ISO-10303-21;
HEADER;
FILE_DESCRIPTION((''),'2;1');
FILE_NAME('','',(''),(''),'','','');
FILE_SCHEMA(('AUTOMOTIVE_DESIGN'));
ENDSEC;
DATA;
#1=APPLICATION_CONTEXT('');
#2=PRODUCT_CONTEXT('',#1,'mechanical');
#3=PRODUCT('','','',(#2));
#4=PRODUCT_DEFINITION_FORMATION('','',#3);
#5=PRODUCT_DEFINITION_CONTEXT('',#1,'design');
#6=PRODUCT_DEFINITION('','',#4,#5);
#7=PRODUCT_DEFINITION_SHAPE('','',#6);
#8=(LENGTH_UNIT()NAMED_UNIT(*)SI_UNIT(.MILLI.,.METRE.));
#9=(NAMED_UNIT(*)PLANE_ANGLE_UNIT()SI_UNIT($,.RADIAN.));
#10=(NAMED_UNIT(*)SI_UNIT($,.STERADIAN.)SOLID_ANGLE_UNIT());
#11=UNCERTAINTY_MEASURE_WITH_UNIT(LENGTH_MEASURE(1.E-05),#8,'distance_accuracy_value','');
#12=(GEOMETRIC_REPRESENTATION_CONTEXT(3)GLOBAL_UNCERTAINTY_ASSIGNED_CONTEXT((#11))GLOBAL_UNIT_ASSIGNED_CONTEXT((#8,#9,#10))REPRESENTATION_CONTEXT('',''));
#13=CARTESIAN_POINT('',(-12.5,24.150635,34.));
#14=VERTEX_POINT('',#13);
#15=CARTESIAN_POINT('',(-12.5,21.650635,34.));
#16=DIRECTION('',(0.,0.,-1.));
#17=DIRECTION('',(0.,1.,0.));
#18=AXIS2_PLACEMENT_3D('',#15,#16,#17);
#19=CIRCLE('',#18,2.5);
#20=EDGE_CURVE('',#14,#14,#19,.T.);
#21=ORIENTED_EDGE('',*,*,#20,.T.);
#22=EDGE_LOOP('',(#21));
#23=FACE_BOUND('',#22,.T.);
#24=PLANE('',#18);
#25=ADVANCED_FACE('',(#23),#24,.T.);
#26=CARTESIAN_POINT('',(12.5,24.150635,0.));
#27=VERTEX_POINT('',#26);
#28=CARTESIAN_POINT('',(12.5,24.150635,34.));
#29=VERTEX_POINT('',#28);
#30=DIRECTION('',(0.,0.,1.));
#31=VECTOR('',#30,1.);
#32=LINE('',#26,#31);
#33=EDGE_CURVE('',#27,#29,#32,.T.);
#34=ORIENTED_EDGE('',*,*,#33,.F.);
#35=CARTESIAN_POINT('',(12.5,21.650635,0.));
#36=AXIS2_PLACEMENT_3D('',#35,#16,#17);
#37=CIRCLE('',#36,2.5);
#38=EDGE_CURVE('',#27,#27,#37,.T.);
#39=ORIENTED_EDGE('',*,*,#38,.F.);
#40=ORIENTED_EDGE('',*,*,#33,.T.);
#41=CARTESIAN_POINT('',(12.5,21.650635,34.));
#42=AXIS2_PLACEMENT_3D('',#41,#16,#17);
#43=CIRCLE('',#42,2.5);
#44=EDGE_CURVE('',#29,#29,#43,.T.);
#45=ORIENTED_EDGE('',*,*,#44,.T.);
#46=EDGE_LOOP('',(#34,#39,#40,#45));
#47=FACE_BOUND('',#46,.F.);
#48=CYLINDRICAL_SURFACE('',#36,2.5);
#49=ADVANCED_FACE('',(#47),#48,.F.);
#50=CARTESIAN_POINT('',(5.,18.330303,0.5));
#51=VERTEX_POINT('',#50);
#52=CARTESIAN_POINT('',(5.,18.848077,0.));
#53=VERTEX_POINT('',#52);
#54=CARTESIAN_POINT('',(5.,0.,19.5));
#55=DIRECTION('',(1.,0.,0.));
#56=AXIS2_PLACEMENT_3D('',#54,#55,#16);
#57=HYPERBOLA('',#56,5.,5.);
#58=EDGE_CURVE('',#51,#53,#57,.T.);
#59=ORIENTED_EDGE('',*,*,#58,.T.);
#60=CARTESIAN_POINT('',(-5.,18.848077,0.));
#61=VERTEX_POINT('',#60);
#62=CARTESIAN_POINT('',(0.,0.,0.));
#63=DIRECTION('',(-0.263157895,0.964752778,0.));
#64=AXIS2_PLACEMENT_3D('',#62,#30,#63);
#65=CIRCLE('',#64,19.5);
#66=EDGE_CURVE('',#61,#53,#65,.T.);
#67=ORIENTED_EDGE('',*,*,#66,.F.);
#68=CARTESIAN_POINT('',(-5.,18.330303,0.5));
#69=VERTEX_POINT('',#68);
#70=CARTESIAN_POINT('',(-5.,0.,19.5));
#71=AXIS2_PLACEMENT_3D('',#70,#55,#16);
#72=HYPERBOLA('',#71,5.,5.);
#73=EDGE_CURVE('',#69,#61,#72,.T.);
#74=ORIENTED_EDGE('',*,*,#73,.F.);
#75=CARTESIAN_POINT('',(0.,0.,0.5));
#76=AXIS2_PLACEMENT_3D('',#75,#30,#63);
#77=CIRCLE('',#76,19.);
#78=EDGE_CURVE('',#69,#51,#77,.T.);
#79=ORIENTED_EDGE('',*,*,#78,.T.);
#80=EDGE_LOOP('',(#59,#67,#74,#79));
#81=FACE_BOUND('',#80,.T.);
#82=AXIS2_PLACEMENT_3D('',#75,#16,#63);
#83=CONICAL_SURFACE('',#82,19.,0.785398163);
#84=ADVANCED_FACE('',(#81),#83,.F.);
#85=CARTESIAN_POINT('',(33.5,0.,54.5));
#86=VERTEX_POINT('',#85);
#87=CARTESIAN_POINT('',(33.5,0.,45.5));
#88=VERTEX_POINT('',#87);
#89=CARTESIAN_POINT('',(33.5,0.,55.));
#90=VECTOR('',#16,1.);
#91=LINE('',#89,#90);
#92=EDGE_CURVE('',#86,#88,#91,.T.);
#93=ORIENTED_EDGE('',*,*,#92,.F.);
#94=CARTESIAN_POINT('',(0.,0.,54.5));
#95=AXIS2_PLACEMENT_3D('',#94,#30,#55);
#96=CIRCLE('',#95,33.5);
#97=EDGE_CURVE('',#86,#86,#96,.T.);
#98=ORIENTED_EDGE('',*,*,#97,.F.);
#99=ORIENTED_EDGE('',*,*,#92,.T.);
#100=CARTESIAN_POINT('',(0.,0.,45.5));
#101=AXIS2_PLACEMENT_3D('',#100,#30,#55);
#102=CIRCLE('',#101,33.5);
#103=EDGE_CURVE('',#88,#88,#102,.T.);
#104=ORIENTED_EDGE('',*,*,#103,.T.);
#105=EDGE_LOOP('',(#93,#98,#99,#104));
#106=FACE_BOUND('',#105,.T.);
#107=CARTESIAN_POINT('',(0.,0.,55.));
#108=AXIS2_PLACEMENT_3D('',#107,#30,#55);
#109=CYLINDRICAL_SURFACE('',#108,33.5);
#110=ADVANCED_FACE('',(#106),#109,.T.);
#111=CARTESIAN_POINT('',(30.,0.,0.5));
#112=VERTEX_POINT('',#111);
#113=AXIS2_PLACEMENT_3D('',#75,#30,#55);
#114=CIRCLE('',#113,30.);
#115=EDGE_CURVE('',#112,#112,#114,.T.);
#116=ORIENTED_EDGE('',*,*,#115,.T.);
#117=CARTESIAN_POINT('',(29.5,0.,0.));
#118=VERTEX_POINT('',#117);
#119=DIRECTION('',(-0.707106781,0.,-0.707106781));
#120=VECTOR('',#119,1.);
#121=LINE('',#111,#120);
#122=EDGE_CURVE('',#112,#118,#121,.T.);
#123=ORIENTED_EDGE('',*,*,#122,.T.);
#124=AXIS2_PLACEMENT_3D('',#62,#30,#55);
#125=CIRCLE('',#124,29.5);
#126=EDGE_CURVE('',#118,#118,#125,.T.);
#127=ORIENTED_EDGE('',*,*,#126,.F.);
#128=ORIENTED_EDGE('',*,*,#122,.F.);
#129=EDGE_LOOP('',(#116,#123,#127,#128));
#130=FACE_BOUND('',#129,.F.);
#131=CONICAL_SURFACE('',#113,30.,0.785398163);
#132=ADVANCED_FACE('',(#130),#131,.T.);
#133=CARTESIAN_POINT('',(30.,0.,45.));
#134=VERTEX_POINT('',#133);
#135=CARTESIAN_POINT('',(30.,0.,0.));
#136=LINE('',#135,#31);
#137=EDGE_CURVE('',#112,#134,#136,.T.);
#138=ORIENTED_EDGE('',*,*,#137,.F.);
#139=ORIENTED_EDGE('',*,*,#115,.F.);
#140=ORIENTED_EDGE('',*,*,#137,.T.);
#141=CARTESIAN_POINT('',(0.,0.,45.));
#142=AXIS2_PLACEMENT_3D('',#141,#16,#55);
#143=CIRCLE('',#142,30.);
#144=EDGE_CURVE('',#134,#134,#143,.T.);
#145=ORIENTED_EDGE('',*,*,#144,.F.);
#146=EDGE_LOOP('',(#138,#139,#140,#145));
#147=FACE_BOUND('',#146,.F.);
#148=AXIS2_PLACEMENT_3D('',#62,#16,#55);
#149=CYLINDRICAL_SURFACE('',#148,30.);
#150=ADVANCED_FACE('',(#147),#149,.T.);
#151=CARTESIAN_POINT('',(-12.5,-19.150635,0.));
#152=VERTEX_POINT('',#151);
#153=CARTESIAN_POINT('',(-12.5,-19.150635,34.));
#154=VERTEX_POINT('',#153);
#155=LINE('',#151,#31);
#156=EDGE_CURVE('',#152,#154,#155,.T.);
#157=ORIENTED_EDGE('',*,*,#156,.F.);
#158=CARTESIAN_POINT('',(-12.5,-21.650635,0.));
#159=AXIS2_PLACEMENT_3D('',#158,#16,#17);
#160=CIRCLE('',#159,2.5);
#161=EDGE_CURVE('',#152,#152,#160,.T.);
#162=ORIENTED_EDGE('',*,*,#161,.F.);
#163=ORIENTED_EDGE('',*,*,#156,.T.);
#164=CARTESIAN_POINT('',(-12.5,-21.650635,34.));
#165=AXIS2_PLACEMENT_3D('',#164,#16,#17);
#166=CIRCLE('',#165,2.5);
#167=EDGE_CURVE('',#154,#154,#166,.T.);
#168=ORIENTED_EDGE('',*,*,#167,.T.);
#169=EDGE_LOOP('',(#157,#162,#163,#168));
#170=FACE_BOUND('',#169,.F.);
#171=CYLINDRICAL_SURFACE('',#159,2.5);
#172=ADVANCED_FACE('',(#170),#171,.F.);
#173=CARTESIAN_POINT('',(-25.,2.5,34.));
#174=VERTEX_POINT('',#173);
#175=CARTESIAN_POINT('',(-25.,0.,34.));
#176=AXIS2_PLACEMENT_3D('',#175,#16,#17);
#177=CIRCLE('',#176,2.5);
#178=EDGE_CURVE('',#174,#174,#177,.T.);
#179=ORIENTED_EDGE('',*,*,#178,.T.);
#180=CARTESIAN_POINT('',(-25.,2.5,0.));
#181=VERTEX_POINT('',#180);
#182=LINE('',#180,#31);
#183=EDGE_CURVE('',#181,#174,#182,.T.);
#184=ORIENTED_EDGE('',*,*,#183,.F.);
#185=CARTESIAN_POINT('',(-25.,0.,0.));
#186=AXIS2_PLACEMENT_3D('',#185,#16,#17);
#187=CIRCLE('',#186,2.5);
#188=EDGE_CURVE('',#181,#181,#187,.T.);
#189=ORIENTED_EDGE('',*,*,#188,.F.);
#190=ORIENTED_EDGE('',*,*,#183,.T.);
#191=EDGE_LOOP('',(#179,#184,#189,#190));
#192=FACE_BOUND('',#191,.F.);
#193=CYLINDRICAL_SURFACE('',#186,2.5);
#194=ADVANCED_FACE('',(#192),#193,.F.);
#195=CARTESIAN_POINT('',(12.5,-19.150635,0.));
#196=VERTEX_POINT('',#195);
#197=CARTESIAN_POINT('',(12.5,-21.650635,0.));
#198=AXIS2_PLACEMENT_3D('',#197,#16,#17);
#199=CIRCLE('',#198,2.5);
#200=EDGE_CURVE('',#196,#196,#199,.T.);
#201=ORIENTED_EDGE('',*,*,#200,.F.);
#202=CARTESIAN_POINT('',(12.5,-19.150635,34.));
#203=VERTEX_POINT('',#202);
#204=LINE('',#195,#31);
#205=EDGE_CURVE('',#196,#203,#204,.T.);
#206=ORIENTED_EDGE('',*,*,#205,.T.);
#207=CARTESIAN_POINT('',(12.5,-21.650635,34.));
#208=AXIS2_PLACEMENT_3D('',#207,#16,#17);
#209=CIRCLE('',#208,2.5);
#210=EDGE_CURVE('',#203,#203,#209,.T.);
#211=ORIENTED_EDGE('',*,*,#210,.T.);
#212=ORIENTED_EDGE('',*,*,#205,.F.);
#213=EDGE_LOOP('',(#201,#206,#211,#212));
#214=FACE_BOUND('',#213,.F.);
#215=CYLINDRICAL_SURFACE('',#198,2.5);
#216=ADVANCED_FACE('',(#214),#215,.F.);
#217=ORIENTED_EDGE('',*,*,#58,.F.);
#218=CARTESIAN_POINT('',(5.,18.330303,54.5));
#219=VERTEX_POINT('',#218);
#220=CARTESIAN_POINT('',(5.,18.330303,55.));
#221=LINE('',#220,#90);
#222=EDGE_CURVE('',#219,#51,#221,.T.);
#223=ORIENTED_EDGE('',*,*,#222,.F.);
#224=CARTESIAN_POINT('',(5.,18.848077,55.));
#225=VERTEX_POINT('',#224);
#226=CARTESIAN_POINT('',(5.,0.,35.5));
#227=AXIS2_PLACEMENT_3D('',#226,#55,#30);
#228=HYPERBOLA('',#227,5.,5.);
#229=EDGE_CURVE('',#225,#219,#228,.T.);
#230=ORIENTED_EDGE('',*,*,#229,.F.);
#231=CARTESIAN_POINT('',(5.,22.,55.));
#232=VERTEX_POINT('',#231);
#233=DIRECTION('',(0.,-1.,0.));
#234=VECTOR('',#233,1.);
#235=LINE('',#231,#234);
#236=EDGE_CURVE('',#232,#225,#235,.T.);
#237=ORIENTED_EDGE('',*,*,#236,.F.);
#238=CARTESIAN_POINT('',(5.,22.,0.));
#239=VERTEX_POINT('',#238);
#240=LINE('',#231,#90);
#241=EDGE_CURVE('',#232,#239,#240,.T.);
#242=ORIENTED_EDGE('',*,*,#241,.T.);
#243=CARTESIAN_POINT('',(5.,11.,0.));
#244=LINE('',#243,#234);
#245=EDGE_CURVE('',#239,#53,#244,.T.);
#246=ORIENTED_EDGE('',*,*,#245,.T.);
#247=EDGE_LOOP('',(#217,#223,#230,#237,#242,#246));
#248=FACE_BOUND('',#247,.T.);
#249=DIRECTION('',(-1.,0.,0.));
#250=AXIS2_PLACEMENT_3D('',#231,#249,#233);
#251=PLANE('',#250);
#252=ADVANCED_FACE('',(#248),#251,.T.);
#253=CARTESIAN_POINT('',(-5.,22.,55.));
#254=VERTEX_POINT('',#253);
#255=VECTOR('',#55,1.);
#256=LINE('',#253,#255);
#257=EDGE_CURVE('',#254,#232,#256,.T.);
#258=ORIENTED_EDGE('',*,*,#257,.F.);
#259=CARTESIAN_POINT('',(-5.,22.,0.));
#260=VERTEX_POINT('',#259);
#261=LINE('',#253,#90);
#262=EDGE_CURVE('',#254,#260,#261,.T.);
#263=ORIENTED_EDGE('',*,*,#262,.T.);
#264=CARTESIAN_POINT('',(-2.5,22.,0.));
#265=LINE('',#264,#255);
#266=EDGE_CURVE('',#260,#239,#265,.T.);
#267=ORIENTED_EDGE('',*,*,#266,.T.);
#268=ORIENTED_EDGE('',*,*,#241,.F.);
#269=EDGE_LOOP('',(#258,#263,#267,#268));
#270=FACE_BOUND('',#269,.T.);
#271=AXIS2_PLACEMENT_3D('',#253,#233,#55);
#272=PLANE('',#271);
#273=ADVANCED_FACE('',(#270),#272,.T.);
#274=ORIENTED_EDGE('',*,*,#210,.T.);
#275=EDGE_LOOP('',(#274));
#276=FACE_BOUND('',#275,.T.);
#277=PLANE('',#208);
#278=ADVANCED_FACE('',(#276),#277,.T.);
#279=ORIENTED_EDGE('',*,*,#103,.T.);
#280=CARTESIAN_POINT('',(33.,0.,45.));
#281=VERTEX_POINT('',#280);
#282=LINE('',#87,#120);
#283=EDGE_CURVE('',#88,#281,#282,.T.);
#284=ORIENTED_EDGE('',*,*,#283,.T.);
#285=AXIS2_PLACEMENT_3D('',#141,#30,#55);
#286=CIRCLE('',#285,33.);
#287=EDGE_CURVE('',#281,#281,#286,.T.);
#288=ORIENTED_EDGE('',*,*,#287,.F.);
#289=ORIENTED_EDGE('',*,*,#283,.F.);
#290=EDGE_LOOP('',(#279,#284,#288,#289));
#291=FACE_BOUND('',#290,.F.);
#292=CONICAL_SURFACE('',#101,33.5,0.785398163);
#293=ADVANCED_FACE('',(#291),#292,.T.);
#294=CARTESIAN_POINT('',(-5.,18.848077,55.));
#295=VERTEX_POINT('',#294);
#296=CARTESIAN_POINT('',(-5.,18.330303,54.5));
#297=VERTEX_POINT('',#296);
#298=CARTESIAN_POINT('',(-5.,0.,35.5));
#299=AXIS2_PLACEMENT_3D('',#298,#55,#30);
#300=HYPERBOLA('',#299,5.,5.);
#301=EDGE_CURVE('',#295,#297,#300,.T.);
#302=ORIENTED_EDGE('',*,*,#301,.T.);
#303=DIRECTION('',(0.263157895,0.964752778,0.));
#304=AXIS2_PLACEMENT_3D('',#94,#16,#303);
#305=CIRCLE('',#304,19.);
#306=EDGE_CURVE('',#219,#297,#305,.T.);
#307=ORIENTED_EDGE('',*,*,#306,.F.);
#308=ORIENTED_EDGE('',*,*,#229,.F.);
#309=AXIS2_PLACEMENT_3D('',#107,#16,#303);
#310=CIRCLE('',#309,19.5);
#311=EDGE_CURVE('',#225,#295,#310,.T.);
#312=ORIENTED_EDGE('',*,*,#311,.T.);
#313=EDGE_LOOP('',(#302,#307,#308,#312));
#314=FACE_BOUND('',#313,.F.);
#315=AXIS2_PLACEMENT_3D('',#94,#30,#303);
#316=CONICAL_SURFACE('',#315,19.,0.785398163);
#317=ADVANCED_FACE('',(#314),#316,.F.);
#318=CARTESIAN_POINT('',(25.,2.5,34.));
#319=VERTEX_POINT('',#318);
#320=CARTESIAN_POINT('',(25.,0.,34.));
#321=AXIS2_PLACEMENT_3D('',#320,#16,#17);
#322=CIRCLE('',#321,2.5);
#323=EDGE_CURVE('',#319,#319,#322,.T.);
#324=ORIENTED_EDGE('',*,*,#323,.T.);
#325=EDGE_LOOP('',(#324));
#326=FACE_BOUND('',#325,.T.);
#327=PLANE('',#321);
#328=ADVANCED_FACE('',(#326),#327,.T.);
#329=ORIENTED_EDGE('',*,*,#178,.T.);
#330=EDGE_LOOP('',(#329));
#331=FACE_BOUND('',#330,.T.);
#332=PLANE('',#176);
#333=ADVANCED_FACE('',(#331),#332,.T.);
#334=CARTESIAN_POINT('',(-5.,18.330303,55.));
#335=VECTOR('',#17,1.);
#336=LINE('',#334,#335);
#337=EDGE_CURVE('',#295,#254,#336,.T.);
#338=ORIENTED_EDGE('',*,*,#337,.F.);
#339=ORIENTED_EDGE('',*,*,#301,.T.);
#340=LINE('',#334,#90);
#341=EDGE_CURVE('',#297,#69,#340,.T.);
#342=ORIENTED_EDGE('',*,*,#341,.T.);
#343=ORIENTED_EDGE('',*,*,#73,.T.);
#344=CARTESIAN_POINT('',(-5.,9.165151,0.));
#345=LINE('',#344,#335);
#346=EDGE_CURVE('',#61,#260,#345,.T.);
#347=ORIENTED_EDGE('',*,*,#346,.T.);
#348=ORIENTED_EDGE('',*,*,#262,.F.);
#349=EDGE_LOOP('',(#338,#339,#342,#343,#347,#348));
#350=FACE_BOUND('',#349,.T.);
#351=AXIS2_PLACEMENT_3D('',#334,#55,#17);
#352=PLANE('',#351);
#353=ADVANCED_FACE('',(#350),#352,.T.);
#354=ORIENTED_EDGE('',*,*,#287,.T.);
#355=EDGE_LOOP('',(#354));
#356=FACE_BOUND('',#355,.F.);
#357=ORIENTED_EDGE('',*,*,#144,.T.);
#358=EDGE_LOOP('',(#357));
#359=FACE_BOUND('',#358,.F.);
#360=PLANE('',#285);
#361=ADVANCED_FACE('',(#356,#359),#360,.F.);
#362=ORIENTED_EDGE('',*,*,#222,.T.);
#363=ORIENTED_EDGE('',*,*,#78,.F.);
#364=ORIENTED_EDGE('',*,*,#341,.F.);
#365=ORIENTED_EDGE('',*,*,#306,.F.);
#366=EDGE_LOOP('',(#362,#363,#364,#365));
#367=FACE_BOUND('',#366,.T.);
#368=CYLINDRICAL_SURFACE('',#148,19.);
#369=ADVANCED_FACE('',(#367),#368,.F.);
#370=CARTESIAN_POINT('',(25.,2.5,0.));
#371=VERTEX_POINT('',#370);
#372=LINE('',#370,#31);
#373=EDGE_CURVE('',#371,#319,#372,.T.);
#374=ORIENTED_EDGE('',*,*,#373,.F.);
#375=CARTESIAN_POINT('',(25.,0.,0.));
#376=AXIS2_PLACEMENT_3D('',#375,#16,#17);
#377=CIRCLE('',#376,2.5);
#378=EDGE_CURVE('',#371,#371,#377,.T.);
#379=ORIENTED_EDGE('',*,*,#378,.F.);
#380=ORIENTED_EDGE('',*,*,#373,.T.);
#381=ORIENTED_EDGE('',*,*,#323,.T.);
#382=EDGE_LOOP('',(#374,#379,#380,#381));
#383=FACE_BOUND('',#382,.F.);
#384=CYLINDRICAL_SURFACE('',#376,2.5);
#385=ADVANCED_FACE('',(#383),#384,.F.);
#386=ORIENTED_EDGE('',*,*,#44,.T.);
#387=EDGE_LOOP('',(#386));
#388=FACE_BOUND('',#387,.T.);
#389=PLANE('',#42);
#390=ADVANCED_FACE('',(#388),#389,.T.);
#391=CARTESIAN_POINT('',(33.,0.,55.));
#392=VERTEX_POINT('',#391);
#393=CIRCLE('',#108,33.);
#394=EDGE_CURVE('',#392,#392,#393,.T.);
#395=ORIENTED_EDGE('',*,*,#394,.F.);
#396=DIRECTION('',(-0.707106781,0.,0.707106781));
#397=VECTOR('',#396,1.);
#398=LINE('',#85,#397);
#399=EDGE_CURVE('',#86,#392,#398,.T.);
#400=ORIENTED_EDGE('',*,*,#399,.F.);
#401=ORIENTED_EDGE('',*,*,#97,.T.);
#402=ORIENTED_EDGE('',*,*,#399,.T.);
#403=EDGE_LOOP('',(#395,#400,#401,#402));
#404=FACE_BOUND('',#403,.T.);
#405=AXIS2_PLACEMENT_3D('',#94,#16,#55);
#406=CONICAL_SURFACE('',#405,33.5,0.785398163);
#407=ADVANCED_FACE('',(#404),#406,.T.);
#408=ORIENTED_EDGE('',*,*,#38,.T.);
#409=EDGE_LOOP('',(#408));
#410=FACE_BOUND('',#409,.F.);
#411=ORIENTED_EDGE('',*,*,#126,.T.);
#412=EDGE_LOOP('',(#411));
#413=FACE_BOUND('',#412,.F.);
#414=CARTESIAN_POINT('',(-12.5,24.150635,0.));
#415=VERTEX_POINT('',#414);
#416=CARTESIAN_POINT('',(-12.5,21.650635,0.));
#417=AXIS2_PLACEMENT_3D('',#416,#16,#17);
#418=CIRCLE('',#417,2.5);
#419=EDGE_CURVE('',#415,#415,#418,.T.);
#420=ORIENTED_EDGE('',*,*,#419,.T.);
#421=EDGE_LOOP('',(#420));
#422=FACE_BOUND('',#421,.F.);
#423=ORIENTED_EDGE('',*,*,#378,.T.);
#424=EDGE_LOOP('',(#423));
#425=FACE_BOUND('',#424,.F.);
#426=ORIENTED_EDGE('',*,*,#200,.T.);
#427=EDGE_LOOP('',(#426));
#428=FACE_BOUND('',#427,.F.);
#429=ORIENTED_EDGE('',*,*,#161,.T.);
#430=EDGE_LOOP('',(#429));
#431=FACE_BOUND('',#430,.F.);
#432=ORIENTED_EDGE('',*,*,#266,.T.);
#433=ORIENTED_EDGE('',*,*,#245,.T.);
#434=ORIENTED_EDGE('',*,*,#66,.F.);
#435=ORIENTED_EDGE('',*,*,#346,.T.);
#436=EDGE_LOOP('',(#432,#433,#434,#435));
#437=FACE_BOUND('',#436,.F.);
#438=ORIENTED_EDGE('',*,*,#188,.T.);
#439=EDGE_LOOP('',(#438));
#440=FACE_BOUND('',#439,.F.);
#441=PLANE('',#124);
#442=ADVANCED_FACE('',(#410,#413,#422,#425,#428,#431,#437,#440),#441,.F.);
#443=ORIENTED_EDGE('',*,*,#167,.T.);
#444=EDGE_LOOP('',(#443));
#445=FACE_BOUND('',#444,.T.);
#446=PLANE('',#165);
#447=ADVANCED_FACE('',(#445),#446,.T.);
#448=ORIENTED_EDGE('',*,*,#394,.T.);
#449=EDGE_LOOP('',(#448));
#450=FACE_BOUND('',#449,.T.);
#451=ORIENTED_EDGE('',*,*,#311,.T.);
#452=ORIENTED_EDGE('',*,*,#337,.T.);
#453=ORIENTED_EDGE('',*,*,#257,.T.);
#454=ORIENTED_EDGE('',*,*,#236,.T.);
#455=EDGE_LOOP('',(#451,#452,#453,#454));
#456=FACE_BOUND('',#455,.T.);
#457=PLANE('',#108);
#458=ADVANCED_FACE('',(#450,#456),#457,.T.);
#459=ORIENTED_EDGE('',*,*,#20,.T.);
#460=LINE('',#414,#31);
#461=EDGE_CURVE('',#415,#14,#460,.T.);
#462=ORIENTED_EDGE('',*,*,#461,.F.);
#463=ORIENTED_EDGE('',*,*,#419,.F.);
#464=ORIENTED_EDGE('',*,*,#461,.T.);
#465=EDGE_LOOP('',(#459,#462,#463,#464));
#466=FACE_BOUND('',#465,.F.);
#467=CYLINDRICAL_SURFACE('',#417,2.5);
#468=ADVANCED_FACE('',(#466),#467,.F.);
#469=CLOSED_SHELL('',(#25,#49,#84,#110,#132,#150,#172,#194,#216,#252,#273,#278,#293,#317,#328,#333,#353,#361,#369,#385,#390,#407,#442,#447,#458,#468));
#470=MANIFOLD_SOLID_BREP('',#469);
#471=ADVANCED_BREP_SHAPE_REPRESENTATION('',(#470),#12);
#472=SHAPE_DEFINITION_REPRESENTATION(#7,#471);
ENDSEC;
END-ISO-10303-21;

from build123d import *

# Parameters (mm, degrees)
SKETCH_1_R          = 30
SKETCH_1_R_2        = 19
EXTRUDE_1_DEPTH     = 55
CUT_EXTRUDE_1_DEPTH = 70.462219947
SKETCH_3_R          = 33.5
SKETCH_3_R_2        = 27.5
EXTRUDE_2_DEPTH     = 10
SKETCH_4_R          = 2.5
CUT_EXTRUDE_2_DEPTH = 34
CHAMFER_1_SIZE      = 0.5


with BuildPart() as part:
    # 草图1 → 拉伸1 (new body)
    with BuildSketch(Plane.XY):
        Circle(SKETCH_1_R)
        Circle(SKETCH_1_R_2, mode=Mode.SUBTRACT)
    extrude(amount=EXTRUDE_1_DEPTH)

    # 草图2 → 切除-拉伸1 (cut, through all)
    with BuildSketch(Plane.XY.offset(55)):
        with BuildLine():
            Line((5, 19), (5, 18.33030278))
            ThreePointArc((5, 18.33030278), (0, 19), (-5, 18.33030278))
            Line((-5, 18.33030278), (-5, 19))
            Line((-5, 19), (-5, 22))
            Line((-5, 22), (5, 22))
            Line((5, 22), (5, 19))
        make_face()
    extrude(amount=-CUT_EXTRUDE_1_DEPTH, mode=Mode.SUBTRACT)

    # 草图3 → 拉伸2 (add)
    with BuildSketch(Plane.XY.offset(55)):
        Circle(SKETCH_3_R)
        Circle(SKETCH_3_R_2, mode=Mode.SUBTRACT)
    extrude(amount=-EXTRUDE_2_DEPTH)

    # 草图4 → 切除-拉伸2 (cut)
    with BuildSketch(Plane(origin=(0, 0, 0), x_dir=(-1, 0, 0), z_dir=(0, 0, -1))):
        with Locations(Location((12.5, 21.650635095, 0), (0, 0, 90))):
            Circle(SKETCH_4_R)
        with Locations(Location((25, 0, 0), (0, 0, 90))):
            Circle(SKETCH_4_R)
        with Locations(Location((12.5, -21.650635095, 0), (0, 0, 90))):
            Circle(SKETCH_4_R)
        with Locations(Location((-12.5, -21.650635095, 0), (0, 0, 90))):
            Circle(SKETCH_4_R)
        with Locations(Location((-25, 0, 0), (0, 0, 90))):
            Circle(SKETCH_4_R)
        with Locations(Location((-12.5, 21.650635095, 0), (0, 0, 90))):
            Circle(SKETCH_4_R)
    extrude(amount=-CUT_EXTRUDE_2_DEPTH, mode=Mode.SUBTRACT)

    # 倒角1
    chamfer_1_edges = [part.edges().sort_by_distance(p)[0] for p in [
        (0, -19, 0),
        (-30, 0, 0),
        (-33.5, 0, 55),
        (-33.5, 0, 45),
        (0, -19, 55),
    ]]
    chamfer(chamfer_1_edges, length=CHAMFER_1_SIZE)


solid = part.part
